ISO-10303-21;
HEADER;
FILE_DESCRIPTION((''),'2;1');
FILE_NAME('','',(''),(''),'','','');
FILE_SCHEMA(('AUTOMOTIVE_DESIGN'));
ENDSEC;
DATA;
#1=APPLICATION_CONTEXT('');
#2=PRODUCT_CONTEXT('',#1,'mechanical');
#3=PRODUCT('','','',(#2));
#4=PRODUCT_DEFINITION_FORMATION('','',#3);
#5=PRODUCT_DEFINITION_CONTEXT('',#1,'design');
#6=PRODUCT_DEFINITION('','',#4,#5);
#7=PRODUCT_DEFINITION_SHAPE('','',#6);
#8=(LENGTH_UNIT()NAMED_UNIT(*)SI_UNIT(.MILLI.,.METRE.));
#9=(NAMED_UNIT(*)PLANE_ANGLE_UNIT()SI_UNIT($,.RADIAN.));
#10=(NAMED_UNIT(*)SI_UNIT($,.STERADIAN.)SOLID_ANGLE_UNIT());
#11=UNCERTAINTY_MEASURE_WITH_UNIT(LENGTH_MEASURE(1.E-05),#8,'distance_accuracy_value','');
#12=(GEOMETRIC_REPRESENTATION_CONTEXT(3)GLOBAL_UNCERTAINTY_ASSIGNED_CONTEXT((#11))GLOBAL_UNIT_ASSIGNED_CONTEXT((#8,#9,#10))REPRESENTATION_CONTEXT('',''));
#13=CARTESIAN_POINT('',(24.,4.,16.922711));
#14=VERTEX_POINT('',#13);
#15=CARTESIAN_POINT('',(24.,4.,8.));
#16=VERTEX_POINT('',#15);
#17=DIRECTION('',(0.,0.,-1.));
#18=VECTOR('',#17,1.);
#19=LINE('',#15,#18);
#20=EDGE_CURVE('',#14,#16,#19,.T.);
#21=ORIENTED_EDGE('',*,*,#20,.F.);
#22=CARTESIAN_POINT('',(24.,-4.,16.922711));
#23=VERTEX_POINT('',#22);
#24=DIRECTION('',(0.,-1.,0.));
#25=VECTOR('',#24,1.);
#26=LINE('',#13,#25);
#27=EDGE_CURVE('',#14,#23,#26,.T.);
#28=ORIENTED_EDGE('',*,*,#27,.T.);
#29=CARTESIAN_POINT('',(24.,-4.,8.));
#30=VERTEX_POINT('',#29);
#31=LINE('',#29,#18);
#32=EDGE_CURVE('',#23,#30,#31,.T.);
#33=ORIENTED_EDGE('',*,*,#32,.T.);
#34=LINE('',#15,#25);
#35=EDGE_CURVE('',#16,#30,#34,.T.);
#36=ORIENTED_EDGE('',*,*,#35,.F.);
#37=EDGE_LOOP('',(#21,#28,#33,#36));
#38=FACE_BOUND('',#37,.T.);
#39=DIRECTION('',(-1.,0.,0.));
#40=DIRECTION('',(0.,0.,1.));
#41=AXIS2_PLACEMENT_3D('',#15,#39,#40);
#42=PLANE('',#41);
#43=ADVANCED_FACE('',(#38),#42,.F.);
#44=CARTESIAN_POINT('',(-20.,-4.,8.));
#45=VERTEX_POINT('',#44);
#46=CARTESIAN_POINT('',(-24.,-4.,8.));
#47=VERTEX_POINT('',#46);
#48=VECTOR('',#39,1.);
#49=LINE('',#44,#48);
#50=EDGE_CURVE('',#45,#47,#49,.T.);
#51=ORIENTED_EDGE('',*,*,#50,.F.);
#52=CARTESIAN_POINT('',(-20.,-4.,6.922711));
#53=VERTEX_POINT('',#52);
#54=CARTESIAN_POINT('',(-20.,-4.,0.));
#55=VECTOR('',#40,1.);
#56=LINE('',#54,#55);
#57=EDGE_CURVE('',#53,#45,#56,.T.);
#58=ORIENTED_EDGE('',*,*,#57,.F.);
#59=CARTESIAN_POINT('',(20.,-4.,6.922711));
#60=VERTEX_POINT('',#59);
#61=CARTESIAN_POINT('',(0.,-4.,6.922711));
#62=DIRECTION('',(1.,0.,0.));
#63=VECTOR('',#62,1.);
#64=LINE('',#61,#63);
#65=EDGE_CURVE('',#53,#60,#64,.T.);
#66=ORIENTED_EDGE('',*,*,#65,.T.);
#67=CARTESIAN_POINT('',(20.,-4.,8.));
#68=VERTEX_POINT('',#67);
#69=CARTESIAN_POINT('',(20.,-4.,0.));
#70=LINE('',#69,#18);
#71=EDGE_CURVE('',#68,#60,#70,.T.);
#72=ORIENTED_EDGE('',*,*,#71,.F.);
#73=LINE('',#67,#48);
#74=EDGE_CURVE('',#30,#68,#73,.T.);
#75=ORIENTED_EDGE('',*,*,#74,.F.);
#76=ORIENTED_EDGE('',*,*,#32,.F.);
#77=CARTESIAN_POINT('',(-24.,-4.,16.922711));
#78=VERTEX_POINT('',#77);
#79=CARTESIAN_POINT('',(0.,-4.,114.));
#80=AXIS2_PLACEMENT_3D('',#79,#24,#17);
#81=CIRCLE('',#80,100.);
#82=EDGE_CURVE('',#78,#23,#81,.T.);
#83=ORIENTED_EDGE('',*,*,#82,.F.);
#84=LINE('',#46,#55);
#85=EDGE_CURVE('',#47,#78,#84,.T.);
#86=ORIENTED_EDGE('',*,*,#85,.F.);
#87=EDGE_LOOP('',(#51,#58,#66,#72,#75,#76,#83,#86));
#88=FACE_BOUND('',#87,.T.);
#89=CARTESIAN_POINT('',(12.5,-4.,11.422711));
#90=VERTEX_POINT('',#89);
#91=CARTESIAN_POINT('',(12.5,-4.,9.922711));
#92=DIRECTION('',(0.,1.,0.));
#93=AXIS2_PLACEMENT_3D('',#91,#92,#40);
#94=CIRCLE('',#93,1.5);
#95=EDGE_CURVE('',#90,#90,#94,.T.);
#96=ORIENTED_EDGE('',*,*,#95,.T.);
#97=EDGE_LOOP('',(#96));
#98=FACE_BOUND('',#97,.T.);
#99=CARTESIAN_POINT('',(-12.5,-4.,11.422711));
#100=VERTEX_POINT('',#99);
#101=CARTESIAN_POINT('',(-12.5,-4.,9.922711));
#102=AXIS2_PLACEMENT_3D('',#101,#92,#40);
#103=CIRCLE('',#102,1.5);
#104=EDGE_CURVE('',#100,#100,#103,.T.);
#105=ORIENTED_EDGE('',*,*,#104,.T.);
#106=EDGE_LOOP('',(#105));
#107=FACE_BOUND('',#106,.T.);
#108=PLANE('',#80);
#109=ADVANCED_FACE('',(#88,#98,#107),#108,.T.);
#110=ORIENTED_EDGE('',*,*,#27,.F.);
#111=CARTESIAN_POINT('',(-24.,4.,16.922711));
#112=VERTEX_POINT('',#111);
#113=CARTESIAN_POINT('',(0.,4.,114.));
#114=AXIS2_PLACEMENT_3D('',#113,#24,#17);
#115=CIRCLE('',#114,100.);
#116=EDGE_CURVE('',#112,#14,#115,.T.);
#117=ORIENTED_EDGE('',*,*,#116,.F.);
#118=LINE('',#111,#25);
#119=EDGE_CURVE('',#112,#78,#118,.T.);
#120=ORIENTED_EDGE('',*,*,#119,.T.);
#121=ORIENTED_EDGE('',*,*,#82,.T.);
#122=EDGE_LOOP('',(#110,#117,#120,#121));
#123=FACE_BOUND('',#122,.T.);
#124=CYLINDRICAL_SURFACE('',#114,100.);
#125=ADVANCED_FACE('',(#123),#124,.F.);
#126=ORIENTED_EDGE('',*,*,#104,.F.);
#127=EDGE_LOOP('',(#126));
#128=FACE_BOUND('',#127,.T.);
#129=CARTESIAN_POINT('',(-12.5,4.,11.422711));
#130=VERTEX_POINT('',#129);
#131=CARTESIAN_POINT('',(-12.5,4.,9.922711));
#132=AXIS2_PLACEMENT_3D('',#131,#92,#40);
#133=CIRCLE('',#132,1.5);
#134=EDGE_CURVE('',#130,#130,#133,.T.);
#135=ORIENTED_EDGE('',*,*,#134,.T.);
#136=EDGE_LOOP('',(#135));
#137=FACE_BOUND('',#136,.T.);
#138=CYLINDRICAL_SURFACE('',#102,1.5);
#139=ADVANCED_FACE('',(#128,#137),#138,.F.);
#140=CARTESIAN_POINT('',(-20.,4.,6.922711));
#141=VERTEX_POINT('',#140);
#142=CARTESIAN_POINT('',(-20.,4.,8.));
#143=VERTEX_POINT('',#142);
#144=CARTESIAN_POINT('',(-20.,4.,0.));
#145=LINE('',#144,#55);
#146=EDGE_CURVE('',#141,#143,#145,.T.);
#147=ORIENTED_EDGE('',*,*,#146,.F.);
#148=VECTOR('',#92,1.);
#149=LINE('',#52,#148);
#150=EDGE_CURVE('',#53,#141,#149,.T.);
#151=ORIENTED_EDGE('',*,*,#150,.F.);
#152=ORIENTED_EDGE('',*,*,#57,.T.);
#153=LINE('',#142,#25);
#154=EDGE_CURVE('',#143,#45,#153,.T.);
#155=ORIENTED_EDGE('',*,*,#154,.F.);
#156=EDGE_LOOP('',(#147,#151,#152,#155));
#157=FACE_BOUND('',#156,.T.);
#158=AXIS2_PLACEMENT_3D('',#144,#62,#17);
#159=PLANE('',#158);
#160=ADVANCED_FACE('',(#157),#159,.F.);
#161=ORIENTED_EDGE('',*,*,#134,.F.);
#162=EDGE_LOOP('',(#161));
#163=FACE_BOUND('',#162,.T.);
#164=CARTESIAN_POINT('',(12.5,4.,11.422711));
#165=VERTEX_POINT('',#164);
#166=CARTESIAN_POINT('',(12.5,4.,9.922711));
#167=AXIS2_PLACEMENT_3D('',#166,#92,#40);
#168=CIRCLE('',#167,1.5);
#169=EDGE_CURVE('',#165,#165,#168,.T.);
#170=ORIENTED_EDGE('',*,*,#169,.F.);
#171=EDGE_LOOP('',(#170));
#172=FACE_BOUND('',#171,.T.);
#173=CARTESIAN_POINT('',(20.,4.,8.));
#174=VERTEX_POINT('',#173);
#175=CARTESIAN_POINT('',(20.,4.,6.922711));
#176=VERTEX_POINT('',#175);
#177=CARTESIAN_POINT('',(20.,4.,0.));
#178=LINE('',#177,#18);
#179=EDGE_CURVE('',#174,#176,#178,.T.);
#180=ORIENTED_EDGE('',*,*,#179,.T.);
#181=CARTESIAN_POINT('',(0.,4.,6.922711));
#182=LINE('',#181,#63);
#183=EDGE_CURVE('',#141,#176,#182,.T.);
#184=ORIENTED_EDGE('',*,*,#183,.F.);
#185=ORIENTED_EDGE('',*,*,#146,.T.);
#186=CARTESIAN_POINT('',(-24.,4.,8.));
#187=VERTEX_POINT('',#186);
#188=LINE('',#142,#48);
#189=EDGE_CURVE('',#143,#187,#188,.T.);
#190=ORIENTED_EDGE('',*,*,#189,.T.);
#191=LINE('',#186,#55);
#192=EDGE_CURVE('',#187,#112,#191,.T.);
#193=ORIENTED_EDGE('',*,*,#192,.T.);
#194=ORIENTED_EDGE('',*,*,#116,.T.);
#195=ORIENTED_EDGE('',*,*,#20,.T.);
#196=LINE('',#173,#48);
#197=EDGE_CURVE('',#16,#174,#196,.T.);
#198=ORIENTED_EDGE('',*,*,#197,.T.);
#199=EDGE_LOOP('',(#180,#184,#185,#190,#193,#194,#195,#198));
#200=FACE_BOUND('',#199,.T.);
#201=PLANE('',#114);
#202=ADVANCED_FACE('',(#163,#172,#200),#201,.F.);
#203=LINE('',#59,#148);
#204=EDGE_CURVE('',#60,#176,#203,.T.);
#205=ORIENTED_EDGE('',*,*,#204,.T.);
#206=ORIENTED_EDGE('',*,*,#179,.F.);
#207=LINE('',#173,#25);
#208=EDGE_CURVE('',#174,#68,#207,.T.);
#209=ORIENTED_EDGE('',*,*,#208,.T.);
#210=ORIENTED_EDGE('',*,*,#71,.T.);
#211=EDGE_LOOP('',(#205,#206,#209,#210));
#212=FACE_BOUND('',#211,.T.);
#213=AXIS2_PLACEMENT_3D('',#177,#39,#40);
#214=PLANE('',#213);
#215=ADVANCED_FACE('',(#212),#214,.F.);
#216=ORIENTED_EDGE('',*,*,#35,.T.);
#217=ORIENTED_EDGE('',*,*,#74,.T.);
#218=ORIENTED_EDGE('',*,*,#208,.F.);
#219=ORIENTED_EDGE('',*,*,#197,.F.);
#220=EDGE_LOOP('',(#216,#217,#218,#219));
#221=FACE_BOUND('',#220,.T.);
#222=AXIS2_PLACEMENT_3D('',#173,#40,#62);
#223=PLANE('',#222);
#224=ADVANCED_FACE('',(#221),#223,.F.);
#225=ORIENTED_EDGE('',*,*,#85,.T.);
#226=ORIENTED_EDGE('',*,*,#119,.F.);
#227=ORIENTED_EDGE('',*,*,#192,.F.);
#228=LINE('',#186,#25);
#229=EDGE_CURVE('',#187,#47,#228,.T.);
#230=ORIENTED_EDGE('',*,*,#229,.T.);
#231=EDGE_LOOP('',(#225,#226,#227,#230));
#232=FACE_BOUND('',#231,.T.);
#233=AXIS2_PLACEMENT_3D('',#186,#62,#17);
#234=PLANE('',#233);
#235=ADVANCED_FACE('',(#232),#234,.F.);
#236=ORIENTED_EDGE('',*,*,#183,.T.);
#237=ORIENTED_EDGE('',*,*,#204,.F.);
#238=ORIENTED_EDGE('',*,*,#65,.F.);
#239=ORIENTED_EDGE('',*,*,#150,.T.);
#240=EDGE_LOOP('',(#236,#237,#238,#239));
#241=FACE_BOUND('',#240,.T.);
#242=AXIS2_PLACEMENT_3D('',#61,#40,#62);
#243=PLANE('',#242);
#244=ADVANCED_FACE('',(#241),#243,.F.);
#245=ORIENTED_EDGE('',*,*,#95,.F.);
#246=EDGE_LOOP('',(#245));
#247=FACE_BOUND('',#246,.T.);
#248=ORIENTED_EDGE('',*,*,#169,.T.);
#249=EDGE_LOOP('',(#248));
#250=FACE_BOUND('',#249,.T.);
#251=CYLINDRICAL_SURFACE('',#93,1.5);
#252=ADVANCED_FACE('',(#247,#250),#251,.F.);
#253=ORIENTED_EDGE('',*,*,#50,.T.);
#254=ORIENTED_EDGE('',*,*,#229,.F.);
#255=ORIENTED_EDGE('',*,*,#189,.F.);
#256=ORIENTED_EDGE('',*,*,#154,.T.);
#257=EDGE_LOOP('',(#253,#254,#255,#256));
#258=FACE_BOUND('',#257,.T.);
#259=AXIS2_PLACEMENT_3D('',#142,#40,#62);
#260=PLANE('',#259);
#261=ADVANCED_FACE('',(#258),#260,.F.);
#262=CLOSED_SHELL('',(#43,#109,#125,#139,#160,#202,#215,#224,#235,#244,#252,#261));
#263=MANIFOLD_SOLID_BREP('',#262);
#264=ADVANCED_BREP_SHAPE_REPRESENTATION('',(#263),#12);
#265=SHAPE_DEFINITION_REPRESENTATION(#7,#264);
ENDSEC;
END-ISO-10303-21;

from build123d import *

# Parameters (mm, degrees)
BOSS_EXTRUDE1_DEPTH = 4
SKETCH10_R          = 1.5
SKETCH10_W          = 40
SKETCH10_H          = 6.922711204
CUT_EXTRUDE2_DEPTH  = 31.436460939


with BuildPart() as part:
    # Sketch1 → Boss-Extrude1 (new, symmetric)
    with BuildSketch(Plane(origin=(0, 0, 0), x_dir=(1, 0, 0), z_dir=(0, 1, 0))):
        with BuildLine():
            Line((-20, 0), (0, 0))
            Line((0, 0), (20, 0))
            Line((20, 0), (20, -8))
            Line((20, -8), (24, -8))
            Line((24, -8), (24, -16.922711204))
            ThreePointArc((24, -16.922711204), (0, -14), (-24, -16.922711204))
            Line((-24, -16.922711204), (-24, -8))
            Line((-24, -8), (-20, -8))
            Line((-20, -8), (-20, 0))
        make_face()
    extrude(amount=BOSS_EXTRUDE1_DEPTH, both=True)

    # Sketch10 → Cut-Extrude2 (cut, through all)
    with BuildSketch(Plane(origin=(0, 4, 0), x_dir=(1, 0, 0), z_dir=(0, 1, 0))):
        with Locations(Location((-12.5, -9.922711204, 0), (0, 0, 270))):
            Circle(SKETCH10_R)
        with Locations(Location((12.5, -9.922711204, 0), (0, 0, 270))):
            Circle(SKETCH10_R)
        with Locations((0, -3.461355602)):
            Rectangle(SKETCH10_W, SKETCH10_H)
    extrude(amount=-CUT_EXTRUDE2_DEPTH, mode=Mode.SUBTRACT)


solid = part.part
